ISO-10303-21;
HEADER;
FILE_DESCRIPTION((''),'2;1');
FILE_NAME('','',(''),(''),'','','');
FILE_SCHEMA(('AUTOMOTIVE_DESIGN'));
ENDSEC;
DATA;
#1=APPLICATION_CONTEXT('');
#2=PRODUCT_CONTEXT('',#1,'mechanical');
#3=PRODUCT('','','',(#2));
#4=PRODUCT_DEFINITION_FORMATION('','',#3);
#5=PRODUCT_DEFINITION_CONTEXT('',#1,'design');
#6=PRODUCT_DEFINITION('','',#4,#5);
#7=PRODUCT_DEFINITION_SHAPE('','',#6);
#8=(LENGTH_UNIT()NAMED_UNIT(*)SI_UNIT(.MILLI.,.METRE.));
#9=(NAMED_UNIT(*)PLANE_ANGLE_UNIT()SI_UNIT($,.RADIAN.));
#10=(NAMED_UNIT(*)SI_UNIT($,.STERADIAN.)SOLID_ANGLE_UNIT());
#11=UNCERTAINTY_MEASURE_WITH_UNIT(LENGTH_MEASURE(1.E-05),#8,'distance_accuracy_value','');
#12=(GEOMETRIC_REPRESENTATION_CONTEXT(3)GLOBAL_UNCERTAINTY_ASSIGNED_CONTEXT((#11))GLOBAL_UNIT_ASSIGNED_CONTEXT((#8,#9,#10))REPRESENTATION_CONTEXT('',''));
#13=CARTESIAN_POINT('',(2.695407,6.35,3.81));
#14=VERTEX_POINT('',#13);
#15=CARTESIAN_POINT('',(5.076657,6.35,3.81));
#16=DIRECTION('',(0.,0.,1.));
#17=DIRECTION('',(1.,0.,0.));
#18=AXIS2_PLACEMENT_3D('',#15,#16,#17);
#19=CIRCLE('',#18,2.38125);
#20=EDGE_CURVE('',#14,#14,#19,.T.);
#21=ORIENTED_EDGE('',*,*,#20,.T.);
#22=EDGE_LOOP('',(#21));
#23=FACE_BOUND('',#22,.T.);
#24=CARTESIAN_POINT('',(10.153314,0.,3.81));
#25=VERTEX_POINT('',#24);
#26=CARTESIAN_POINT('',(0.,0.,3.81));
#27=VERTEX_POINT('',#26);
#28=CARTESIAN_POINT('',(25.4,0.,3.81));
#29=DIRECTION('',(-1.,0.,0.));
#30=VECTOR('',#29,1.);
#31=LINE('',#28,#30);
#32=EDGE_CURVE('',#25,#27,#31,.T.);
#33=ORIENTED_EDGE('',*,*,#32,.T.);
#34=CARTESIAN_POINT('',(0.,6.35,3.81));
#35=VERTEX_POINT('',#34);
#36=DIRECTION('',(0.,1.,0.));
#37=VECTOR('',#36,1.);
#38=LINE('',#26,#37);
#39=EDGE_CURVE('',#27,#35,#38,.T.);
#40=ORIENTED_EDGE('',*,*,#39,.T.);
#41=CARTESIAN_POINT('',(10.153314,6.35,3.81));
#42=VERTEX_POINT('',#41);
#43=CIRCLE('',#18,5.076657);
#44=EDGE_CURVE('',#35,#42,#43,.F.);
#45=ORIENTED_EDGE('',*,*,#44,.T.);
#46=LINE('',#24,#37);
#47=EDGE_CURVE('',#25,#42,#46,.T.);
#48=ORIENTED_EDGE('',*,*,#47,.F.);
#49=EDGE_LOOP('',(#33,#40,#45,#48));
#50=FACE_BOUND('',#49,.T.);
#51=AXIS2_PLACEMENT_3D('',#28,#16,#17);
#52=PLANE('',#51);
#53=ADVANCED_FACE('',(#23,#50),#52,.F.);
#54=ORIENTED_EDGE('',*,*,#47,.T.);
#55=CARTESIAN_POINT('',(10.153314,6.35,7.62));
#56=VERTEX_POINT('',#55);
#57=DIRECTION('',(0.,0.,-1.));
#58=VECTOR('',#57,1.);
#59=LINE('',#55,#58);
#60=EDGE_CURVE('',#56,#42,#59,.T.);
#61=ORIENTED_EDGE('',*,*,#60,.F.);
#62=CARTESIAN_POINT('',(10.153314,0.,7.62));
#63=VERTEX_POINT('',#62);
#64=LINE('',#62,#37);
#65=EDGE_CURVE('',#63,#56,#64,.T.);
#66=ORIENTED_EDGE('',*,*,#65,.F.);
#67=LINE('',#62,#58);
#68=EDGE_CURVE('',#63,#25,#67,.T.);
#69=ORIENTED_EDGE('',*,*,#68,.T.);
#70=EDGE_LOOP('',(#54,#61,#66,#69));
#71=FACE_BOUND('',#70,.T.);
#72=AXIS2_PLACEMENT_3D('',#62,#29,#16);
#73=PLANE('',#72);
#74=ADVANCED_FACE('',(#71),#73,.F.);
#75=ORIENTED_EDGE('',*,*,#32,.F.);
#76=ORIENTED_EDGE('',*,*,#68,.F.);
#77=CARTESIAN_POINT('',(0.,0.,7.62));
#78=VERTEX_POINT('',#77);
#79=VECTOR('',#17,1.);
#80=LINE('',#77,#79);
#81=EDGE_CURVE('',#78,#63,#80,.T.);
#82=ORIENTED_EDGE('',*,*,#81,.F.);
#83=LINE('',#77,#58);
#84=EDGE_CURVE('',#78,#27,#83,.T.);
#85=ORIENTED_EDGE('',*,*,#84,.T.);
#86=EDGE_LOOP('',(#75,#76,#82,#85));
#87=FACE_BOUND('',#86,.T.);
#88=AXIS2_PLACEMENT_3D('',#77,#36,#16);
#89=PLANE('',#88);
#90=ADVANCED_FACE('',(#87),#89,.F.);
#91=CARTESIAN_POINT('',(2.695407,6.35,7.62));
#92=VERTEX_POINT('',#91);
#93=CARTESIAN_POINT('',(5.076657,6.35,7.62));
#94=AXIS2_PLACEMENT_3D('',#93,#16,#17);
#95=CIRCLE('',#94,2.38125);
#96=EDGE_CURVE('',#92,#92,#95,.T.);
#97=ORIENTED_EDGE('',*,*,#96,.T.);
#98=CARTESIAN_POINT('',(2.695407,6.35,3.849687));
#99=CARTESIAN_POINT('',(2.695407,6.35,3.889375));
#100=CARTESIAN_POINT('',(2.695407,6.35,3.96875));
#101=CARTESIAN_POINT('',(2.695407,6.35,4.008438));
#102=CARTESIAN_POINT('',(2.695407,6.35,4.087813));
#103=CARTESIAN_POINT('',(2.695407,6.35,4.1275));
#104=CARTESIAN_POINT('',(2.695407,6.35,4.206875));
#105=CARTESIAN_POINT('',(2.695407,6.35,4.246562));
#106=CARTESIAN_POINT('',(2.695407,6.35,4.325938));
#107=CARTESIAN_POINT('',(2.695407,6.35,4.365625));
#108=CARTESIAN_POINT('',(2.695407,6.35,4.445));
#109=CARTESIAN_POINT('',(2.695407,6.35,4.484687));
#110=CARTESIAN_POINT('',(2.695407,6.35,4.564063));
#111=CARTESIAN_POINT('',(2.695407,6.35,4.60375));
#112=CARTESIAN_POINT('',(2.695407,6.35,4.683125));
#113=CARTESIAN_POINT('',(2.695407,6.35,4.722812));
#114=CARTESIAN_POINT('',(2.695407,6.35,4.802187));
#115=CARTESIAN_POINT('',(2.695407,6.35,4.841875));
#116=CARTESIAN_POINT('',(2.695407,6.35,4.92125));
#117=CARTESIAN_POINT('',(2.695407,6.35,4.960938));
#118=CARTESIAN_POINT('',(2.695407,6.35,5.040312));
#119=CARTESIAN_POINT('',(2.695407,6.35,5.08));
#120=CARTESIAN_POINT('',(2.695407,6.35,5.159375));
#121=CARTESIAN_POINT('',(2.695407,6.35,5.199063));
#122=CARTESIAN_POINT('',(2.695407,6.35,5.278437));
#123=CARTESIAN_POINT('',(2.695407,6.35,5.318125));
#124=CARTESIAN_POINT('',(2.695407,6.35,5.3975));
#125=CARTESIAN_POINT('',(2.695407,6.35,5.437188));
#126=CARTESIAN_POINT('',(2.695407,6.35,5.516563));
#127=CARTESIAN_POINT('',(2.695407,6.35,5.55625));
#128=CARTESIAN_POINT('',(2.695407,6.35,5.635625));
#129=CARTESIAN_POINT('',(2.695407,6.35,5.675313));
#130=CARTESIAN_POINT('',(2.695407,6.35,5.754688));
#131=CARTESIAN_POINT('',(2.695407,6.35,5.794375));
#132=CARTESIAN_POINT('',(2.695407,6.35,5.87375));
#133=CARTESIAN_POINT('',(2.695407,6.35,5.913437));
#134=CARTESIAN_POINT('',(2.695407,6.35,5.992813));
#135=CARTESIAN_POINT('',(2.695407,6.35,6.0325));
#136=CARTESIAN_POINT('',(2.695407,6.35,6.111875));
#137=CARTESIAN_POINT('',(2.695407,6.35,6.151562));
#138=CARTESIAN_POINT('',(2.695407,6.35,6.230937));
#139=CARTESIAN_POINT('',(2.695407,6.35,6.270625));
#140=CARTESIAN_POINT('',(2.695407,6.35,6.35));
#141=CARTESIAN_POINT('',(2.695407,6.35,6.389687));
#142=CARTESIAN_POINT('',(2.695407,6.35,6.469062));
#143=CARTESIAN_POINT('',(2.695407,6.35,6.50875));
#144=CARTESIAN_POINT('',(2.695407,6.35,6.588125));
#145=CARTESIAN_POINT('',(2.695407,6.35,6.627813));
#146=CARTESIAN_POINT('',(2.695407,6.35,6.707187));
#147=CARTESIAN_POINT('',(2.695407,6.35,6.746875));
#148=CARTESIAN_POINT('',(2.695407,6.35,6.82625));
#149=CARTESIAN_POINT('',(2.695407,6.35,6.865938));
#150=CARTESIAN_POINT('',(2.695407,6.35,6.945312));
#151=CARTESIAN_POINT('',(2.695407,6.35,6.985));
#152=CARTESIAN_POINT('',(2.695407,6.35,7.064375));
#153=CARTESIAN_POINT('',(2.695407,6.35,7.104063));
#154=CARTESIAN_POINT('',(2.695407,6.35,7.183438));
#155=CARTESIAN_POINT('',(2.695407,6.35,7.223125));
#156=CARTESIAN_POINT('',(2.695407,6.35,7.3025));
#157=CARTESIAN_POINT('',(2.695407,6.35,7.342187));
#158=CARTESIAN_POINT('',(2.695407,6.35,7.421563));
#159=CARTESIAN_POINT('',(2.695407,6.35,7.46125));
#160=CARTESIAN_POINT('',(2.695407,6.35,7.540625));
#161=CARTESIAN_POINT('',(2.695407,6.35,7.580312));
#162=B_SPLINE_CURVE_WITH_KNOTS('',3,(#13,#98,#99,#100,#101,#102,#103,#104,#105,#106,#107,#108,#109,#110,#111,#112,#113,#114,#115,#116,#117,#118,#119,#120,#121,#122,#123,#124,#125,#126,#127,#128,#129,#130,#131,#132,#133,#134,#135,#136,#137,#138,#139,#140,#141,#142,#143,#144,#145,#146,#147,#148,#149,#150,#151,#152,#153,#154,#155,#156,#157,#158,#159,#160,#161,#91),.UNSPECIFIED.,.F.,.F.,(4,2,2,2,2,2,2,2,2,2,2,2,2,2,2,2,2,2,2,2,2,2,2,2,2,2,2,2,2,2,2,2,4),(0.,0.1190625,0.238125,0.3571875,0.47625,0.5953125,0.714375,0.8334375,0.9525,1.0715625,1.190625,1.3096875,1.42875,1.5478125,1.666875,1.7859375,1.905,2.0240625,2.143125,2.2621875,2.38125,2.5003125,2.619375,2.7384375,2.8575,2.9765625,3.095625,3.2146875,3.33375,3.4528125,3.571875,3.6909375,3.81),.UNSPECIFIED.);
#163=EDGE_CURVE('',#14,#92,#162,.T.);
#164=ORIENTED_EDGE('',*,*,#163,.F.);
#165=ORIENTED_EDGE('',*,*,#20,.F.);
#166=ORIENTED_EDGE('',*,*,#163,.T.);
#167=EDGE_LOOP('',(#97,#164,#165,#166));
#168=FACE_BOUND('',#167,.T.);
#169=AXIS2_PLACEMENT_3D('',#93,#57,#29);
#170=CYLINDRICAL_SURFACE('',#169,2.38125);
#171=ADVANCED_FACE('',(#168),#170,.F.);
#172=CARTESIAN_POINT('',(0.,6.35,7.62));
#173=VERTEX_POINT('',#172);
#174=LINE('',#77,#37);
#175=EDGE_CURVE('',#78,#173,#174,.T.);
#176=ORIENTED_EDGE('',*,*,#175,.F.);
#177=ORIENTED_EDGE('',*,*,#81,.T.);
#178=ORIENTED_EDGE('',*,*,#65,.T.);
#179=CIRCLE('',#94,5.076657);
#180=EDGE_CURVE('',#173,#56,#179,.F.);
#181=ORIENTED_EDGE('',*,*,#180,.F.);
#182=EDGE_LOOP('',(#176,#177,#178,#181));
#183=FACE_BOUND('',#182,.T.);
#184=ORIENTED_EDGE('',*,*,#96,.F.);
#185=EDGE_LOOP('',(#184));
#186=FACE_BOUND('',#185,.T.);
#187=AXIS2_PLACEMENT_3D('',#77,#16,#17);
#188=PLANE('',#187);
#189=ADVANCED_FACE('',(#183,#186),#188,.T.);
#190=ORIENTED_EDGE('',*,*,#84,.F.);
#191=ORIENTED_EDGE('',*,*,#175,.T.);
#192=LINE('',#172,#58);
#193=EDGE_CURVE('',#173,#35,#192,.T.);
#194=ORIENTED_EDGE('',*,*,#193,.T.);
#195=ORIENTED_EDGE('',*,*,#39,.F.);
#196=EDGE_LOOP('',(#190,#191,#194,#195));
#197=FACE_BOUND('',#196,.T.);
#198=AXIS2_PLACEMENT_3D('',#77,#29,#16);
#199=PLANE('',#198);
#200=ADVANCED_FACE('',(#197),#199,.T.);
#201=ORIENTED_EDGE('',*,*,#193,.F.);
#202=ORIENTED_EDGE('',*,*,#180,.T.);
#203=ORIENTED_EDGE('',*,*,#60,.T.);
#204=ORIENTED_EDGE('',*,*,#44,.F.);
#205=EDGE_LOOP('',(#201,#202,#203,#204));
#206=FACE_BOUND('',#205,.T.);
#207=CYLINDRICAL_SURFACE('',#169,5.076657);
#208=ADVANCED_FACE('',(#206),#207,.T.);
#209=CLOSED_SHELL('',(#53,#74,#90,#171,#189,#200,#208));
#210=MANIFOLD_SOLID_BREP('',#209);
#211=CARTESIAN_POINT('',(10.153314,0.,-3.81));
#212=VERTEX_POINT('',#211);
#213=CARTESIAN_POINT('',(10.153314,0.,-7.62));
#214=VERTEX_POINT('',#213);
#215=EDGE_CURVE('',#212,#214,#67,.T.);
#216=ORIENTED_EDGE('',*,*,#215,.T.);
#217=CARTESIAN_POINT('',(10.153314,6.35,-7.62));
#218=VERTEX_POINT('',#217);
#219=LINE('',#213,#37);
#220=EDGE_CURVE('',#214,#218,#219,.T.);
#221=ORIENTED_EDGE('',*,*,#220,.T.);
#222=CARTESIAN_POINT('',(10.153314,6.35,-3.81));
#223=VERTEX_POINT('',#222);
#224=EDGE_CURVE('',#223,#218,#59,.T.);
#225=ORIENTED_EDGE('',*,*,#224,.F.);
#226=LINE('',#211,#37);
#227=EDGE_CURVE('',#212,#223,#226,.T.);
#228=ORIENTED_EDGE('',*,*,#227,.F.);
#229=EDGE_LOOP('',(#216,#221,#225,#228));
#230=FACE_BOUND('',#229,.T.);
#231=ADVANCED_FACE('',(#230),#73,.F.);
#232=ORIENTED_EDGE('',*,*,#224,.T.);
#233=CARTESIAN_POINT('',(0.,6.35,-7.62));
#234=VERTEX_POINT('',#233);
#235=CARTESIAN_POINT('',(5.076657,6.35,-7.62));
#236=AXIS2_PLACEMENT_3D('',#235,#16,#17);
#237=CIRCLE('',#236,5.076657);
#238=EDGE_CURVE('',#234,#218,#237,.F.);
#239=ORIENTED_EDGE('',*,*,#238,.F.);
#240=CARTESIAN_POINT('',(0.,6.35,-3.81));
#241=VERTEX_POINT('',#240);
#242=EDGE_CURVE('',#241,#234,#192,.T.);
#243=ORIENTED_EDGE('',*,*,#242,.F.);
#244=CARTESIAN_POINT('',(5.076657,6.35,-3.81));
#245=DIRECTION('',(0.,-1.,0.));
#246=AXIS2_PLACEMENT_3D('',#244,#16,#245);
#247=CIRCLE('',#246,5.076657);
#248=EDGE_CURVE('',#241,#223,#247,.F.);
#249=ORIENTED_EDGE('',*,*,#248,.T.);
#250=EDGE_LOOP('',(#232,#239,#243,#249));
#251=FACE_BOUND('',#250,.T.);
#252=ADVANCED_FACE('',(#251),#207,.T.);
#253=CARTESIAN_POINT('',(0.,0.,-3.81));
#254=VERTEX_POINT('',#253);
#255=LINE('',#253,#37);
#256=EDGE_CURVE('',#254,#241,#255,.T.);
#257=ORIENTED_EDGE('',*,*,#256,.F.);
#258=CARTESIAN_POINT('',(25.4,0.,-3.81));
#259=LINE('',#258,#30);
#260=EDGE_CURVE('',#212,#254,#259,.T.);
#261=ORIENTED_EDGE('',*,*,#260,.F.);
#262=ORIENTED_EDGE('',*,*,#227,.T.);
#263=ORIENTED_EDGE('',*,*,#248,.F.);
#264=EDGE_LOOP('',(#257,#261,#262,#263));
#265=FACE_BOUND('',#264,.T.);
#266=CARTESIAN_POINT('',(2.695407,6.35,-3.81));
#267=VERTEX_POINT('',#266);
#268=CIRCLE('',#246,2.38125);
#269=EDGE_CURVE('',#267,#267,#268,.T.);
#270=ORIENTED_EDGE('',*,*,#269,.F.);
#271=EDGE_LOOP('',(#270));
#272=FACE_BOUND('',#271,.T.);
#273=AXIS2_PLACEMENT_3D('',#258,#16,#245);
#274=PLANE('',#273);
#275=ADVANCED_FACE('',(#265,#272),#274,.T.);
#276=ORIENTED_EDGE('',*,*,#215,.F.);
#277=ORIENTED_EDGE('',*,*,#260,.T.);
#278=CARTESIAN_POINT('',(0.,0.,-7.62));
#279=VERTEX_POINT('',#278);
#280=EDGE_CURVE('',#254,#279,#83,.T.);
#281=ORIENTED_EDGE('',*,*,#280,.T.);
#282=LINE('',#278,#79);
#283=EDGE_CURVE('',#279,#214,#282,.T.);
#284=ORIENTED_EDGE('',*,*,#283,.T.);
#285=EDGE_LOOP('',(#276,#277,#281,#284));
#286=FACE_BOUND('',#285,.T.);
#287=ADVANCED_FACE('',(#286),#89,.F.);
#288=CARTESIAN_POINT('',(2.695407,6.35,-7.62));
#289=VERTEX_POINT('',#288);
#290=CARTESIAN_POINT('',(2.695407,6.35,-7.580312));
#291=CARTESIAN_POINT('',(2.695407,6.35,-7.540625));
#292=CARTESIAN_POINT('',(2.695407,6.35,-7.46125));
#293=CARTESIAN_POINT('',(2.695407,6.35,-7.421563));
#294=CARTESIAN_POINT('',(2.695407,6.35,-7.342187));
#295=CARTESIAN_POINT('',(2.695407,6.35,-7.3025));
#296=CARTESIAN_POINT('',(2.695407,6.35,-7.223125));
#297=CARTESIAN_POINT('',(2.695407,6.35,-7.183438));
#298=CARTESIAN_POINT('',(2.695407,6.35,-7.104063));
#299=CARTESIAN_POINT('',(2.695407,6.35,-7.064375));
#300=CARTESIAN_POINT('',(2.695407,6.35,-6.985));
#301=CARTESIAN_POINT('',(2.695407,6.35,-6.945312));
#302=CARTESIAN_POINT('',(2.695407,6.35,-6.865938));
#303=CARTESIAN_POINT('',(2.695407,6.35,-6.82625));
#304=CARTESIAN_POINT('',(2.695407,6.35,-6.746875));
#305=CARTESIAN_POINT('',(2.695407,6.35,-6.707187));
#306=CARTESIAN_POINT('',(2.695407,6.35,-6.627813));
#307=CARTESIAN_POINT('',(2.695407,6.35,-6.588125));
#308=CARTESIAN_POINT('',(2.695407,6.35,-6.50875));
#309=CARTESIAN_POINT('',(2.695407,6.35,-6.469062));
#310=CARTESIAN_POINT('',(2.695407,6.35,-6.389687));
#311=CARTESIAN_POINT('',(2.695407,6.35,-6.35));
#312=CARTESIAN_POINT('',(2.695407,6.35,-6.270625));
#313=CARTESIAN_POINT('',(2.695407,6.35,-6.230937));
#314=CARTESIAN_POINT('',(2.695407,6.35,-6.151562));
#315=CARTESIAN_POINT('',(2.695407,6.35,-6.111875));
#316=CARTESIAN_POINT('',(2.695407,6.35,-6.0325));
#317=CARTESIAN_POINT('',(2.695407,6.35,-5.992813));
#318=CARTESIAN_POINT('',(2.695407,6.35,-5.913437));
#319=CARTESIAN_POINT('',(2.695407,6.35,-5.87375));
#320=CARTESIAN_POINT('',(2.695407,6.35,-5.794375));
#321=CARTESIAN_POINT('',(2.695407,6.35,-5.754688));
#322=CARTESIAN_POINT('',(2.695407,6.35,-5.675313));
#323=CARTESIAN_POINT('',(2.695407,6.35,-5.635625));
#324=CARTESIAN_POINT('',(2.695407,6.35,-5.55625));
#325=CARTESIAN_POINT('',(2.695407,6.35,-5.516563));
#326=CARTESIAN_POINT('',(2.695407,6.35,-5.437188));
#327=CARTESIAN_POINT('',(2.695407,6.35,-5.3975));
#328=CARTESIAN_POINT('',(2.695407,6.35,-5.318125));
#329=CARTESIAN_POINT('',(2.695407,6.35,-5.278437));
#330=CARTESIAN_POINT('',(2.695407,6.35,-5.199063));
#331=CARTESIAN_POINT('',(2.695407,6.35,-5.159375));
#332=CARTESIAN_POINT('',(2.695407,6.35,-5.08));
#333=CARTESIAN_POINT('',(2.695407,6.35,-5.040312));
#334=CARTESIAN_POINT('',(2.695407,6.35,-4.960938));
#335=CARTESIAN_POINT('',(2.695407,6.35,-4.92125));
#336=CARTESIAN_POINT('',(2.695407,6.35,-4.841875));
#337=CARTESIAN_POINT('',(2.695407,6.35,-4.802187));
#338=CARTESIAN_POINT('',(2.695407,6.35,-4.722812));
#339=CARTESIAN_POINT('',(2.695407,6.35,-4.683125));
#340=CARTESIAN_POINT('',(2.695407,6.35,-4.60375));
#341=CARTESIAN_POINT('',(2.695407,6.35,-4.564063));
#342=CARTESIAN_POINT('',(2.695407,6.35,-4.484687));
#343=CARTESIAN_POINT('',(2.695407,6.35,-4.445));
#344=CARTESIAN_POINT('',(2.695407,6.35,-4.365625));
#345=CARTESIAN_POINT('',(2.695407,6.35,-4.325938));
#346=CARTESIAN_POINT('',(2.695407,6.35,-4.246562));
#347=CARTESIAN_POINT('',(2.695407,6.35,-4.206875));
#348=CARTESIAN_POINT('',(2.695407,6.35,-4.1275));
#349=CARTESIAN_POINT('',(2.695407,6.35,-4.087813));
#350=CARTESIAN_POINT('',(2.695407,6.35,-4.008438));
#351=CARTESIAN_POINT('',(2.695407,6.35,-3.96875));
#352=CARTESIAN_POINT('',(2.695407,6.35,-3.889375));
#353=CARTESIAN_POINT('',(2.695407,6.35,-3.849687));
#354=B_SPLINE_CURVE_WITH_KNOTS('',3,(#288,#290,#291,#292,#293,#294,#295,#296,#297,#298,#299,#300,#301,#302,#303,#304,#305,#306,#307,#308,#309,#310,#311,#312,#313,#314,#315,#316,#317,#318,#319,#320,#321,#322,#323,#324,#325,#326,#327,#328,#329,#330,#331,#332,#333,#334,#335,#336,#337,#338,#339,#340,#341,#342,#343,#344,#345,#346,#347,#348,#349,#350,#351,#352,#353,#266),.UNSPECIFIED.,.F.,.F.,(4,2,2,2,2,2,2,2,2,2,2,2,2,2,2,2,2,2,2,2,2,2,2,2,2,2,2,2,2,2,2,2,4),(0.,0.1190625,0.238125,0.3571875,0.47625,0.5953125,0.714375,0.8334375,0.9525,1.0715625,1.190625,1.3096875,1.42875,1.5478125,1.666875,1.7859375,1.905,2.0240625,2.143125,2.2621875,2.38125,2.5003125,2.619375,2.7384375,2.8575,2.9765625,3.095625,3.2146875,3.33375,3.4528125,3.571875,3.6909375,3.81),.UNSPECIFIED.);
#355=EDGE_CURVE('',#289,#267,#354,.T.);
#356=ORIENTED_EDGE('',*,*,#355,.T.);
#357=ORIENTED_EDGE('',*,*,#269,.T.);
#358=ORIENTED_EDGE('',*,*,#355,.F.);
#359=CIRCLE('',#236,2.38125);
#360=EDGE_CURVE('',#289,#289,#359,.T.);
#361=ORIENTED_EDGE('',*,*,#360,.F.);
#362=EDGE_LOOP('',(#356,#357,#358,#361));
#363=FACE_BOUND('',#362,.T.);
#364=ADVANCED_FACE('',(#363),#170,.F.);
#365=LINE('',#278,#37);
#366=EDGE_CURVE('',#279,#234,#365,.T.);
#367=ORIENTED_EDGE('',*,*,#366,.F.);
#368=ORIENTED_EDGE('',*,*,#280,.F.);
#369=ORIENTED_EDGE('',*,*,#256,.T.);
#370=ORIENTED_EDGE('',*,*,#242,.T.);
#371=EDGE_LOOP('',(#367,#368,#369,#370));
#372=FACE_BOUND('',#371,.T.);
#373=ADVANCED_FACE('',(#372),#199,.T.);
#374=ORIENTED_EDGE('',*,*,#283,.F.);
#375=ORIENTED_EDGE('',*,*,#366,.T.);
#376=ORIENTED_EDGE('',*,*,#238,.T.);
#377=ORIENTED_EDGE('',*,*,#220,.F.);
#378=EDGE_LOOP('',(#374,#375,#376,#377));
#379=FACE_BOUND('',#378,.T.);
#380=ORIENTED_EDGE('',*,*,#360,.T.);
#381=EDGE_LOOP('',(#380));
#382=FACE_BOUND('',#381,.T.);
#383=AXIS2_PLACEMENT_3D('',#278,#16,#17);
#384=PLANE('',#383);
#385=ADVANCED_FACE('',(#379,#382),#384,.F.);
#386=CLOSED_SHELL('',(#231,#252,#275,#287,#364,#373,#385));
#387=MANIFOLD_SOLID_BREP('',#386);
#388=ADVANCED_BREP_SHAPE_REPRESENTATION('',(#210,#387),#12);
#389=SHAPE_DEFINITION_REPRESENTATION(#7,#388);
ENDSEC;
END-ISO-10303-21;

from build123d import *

# Parameters (mm, degrees)
SKETCH1_R           = 2.38125
BOSS_EXTRUDE1_DEPTH = 7.62
SKETCH2_W           = 7.62
SKETCH2_H           = 24.17124054
CUT_EXTRUDE1_DEPTH  = 25.4


with BuildPart() as part:
    # Sketch1 → Boss-Extrude1 (new, symmetric)
    with BuildSketch(Plane.XY):
        with BuildLine():
            ThreePointArc((0, 6.35), (5.076656873, 11.426656873), (10.153313745, 6.35))
            Line((10.153313745, 6.35), (10.153313745, 0))
            Line((10.153313745, 0), (0, 0))
            Line((0, 0), (0, 6.35))
        make_face()
        with Locations(Location((5.076656873, 6.35, 0), (0, 0, 180))):
            Circle(SKETCH1_R, mode=Mode.SUBTRACT)
    extrude(amount=BOSS_EXTRUDE1_DEPTH, both=True)

    # Sketch2 → Cut-Extrude1 (cut)
    with BuildSketch(Plane.ZY):
        with Locations((0, 12.08562027)):
            Rectangle(SKETCH2_W, SKETCH2_H)
    extrude(amount=-CUT_EXTRUDE1_DEPTH, mode=Mode.SUBTRACT)


with BuildPart() as cut_extrude1_piece_1:
    # of the separate pieces the step leaves, piece 1, a body of its own (cut_extrude1_pieces)
    add(part.part.solids().sort_by_distance((10.153313745, 6.35, -7.62))[0])


with BuildPart() as cut_extrude1_piece_2:
    # of the separate pieces the step leaves, piece 2, a body of its own (cut_extrude1_pieces)
    add(part.part.solids().sort_by_distance((10.153313745, 6.35, 3.81))[0])


solid = Compound([cut_extrude1_piece_1.part, cut_extrude1_piece_2.part])
